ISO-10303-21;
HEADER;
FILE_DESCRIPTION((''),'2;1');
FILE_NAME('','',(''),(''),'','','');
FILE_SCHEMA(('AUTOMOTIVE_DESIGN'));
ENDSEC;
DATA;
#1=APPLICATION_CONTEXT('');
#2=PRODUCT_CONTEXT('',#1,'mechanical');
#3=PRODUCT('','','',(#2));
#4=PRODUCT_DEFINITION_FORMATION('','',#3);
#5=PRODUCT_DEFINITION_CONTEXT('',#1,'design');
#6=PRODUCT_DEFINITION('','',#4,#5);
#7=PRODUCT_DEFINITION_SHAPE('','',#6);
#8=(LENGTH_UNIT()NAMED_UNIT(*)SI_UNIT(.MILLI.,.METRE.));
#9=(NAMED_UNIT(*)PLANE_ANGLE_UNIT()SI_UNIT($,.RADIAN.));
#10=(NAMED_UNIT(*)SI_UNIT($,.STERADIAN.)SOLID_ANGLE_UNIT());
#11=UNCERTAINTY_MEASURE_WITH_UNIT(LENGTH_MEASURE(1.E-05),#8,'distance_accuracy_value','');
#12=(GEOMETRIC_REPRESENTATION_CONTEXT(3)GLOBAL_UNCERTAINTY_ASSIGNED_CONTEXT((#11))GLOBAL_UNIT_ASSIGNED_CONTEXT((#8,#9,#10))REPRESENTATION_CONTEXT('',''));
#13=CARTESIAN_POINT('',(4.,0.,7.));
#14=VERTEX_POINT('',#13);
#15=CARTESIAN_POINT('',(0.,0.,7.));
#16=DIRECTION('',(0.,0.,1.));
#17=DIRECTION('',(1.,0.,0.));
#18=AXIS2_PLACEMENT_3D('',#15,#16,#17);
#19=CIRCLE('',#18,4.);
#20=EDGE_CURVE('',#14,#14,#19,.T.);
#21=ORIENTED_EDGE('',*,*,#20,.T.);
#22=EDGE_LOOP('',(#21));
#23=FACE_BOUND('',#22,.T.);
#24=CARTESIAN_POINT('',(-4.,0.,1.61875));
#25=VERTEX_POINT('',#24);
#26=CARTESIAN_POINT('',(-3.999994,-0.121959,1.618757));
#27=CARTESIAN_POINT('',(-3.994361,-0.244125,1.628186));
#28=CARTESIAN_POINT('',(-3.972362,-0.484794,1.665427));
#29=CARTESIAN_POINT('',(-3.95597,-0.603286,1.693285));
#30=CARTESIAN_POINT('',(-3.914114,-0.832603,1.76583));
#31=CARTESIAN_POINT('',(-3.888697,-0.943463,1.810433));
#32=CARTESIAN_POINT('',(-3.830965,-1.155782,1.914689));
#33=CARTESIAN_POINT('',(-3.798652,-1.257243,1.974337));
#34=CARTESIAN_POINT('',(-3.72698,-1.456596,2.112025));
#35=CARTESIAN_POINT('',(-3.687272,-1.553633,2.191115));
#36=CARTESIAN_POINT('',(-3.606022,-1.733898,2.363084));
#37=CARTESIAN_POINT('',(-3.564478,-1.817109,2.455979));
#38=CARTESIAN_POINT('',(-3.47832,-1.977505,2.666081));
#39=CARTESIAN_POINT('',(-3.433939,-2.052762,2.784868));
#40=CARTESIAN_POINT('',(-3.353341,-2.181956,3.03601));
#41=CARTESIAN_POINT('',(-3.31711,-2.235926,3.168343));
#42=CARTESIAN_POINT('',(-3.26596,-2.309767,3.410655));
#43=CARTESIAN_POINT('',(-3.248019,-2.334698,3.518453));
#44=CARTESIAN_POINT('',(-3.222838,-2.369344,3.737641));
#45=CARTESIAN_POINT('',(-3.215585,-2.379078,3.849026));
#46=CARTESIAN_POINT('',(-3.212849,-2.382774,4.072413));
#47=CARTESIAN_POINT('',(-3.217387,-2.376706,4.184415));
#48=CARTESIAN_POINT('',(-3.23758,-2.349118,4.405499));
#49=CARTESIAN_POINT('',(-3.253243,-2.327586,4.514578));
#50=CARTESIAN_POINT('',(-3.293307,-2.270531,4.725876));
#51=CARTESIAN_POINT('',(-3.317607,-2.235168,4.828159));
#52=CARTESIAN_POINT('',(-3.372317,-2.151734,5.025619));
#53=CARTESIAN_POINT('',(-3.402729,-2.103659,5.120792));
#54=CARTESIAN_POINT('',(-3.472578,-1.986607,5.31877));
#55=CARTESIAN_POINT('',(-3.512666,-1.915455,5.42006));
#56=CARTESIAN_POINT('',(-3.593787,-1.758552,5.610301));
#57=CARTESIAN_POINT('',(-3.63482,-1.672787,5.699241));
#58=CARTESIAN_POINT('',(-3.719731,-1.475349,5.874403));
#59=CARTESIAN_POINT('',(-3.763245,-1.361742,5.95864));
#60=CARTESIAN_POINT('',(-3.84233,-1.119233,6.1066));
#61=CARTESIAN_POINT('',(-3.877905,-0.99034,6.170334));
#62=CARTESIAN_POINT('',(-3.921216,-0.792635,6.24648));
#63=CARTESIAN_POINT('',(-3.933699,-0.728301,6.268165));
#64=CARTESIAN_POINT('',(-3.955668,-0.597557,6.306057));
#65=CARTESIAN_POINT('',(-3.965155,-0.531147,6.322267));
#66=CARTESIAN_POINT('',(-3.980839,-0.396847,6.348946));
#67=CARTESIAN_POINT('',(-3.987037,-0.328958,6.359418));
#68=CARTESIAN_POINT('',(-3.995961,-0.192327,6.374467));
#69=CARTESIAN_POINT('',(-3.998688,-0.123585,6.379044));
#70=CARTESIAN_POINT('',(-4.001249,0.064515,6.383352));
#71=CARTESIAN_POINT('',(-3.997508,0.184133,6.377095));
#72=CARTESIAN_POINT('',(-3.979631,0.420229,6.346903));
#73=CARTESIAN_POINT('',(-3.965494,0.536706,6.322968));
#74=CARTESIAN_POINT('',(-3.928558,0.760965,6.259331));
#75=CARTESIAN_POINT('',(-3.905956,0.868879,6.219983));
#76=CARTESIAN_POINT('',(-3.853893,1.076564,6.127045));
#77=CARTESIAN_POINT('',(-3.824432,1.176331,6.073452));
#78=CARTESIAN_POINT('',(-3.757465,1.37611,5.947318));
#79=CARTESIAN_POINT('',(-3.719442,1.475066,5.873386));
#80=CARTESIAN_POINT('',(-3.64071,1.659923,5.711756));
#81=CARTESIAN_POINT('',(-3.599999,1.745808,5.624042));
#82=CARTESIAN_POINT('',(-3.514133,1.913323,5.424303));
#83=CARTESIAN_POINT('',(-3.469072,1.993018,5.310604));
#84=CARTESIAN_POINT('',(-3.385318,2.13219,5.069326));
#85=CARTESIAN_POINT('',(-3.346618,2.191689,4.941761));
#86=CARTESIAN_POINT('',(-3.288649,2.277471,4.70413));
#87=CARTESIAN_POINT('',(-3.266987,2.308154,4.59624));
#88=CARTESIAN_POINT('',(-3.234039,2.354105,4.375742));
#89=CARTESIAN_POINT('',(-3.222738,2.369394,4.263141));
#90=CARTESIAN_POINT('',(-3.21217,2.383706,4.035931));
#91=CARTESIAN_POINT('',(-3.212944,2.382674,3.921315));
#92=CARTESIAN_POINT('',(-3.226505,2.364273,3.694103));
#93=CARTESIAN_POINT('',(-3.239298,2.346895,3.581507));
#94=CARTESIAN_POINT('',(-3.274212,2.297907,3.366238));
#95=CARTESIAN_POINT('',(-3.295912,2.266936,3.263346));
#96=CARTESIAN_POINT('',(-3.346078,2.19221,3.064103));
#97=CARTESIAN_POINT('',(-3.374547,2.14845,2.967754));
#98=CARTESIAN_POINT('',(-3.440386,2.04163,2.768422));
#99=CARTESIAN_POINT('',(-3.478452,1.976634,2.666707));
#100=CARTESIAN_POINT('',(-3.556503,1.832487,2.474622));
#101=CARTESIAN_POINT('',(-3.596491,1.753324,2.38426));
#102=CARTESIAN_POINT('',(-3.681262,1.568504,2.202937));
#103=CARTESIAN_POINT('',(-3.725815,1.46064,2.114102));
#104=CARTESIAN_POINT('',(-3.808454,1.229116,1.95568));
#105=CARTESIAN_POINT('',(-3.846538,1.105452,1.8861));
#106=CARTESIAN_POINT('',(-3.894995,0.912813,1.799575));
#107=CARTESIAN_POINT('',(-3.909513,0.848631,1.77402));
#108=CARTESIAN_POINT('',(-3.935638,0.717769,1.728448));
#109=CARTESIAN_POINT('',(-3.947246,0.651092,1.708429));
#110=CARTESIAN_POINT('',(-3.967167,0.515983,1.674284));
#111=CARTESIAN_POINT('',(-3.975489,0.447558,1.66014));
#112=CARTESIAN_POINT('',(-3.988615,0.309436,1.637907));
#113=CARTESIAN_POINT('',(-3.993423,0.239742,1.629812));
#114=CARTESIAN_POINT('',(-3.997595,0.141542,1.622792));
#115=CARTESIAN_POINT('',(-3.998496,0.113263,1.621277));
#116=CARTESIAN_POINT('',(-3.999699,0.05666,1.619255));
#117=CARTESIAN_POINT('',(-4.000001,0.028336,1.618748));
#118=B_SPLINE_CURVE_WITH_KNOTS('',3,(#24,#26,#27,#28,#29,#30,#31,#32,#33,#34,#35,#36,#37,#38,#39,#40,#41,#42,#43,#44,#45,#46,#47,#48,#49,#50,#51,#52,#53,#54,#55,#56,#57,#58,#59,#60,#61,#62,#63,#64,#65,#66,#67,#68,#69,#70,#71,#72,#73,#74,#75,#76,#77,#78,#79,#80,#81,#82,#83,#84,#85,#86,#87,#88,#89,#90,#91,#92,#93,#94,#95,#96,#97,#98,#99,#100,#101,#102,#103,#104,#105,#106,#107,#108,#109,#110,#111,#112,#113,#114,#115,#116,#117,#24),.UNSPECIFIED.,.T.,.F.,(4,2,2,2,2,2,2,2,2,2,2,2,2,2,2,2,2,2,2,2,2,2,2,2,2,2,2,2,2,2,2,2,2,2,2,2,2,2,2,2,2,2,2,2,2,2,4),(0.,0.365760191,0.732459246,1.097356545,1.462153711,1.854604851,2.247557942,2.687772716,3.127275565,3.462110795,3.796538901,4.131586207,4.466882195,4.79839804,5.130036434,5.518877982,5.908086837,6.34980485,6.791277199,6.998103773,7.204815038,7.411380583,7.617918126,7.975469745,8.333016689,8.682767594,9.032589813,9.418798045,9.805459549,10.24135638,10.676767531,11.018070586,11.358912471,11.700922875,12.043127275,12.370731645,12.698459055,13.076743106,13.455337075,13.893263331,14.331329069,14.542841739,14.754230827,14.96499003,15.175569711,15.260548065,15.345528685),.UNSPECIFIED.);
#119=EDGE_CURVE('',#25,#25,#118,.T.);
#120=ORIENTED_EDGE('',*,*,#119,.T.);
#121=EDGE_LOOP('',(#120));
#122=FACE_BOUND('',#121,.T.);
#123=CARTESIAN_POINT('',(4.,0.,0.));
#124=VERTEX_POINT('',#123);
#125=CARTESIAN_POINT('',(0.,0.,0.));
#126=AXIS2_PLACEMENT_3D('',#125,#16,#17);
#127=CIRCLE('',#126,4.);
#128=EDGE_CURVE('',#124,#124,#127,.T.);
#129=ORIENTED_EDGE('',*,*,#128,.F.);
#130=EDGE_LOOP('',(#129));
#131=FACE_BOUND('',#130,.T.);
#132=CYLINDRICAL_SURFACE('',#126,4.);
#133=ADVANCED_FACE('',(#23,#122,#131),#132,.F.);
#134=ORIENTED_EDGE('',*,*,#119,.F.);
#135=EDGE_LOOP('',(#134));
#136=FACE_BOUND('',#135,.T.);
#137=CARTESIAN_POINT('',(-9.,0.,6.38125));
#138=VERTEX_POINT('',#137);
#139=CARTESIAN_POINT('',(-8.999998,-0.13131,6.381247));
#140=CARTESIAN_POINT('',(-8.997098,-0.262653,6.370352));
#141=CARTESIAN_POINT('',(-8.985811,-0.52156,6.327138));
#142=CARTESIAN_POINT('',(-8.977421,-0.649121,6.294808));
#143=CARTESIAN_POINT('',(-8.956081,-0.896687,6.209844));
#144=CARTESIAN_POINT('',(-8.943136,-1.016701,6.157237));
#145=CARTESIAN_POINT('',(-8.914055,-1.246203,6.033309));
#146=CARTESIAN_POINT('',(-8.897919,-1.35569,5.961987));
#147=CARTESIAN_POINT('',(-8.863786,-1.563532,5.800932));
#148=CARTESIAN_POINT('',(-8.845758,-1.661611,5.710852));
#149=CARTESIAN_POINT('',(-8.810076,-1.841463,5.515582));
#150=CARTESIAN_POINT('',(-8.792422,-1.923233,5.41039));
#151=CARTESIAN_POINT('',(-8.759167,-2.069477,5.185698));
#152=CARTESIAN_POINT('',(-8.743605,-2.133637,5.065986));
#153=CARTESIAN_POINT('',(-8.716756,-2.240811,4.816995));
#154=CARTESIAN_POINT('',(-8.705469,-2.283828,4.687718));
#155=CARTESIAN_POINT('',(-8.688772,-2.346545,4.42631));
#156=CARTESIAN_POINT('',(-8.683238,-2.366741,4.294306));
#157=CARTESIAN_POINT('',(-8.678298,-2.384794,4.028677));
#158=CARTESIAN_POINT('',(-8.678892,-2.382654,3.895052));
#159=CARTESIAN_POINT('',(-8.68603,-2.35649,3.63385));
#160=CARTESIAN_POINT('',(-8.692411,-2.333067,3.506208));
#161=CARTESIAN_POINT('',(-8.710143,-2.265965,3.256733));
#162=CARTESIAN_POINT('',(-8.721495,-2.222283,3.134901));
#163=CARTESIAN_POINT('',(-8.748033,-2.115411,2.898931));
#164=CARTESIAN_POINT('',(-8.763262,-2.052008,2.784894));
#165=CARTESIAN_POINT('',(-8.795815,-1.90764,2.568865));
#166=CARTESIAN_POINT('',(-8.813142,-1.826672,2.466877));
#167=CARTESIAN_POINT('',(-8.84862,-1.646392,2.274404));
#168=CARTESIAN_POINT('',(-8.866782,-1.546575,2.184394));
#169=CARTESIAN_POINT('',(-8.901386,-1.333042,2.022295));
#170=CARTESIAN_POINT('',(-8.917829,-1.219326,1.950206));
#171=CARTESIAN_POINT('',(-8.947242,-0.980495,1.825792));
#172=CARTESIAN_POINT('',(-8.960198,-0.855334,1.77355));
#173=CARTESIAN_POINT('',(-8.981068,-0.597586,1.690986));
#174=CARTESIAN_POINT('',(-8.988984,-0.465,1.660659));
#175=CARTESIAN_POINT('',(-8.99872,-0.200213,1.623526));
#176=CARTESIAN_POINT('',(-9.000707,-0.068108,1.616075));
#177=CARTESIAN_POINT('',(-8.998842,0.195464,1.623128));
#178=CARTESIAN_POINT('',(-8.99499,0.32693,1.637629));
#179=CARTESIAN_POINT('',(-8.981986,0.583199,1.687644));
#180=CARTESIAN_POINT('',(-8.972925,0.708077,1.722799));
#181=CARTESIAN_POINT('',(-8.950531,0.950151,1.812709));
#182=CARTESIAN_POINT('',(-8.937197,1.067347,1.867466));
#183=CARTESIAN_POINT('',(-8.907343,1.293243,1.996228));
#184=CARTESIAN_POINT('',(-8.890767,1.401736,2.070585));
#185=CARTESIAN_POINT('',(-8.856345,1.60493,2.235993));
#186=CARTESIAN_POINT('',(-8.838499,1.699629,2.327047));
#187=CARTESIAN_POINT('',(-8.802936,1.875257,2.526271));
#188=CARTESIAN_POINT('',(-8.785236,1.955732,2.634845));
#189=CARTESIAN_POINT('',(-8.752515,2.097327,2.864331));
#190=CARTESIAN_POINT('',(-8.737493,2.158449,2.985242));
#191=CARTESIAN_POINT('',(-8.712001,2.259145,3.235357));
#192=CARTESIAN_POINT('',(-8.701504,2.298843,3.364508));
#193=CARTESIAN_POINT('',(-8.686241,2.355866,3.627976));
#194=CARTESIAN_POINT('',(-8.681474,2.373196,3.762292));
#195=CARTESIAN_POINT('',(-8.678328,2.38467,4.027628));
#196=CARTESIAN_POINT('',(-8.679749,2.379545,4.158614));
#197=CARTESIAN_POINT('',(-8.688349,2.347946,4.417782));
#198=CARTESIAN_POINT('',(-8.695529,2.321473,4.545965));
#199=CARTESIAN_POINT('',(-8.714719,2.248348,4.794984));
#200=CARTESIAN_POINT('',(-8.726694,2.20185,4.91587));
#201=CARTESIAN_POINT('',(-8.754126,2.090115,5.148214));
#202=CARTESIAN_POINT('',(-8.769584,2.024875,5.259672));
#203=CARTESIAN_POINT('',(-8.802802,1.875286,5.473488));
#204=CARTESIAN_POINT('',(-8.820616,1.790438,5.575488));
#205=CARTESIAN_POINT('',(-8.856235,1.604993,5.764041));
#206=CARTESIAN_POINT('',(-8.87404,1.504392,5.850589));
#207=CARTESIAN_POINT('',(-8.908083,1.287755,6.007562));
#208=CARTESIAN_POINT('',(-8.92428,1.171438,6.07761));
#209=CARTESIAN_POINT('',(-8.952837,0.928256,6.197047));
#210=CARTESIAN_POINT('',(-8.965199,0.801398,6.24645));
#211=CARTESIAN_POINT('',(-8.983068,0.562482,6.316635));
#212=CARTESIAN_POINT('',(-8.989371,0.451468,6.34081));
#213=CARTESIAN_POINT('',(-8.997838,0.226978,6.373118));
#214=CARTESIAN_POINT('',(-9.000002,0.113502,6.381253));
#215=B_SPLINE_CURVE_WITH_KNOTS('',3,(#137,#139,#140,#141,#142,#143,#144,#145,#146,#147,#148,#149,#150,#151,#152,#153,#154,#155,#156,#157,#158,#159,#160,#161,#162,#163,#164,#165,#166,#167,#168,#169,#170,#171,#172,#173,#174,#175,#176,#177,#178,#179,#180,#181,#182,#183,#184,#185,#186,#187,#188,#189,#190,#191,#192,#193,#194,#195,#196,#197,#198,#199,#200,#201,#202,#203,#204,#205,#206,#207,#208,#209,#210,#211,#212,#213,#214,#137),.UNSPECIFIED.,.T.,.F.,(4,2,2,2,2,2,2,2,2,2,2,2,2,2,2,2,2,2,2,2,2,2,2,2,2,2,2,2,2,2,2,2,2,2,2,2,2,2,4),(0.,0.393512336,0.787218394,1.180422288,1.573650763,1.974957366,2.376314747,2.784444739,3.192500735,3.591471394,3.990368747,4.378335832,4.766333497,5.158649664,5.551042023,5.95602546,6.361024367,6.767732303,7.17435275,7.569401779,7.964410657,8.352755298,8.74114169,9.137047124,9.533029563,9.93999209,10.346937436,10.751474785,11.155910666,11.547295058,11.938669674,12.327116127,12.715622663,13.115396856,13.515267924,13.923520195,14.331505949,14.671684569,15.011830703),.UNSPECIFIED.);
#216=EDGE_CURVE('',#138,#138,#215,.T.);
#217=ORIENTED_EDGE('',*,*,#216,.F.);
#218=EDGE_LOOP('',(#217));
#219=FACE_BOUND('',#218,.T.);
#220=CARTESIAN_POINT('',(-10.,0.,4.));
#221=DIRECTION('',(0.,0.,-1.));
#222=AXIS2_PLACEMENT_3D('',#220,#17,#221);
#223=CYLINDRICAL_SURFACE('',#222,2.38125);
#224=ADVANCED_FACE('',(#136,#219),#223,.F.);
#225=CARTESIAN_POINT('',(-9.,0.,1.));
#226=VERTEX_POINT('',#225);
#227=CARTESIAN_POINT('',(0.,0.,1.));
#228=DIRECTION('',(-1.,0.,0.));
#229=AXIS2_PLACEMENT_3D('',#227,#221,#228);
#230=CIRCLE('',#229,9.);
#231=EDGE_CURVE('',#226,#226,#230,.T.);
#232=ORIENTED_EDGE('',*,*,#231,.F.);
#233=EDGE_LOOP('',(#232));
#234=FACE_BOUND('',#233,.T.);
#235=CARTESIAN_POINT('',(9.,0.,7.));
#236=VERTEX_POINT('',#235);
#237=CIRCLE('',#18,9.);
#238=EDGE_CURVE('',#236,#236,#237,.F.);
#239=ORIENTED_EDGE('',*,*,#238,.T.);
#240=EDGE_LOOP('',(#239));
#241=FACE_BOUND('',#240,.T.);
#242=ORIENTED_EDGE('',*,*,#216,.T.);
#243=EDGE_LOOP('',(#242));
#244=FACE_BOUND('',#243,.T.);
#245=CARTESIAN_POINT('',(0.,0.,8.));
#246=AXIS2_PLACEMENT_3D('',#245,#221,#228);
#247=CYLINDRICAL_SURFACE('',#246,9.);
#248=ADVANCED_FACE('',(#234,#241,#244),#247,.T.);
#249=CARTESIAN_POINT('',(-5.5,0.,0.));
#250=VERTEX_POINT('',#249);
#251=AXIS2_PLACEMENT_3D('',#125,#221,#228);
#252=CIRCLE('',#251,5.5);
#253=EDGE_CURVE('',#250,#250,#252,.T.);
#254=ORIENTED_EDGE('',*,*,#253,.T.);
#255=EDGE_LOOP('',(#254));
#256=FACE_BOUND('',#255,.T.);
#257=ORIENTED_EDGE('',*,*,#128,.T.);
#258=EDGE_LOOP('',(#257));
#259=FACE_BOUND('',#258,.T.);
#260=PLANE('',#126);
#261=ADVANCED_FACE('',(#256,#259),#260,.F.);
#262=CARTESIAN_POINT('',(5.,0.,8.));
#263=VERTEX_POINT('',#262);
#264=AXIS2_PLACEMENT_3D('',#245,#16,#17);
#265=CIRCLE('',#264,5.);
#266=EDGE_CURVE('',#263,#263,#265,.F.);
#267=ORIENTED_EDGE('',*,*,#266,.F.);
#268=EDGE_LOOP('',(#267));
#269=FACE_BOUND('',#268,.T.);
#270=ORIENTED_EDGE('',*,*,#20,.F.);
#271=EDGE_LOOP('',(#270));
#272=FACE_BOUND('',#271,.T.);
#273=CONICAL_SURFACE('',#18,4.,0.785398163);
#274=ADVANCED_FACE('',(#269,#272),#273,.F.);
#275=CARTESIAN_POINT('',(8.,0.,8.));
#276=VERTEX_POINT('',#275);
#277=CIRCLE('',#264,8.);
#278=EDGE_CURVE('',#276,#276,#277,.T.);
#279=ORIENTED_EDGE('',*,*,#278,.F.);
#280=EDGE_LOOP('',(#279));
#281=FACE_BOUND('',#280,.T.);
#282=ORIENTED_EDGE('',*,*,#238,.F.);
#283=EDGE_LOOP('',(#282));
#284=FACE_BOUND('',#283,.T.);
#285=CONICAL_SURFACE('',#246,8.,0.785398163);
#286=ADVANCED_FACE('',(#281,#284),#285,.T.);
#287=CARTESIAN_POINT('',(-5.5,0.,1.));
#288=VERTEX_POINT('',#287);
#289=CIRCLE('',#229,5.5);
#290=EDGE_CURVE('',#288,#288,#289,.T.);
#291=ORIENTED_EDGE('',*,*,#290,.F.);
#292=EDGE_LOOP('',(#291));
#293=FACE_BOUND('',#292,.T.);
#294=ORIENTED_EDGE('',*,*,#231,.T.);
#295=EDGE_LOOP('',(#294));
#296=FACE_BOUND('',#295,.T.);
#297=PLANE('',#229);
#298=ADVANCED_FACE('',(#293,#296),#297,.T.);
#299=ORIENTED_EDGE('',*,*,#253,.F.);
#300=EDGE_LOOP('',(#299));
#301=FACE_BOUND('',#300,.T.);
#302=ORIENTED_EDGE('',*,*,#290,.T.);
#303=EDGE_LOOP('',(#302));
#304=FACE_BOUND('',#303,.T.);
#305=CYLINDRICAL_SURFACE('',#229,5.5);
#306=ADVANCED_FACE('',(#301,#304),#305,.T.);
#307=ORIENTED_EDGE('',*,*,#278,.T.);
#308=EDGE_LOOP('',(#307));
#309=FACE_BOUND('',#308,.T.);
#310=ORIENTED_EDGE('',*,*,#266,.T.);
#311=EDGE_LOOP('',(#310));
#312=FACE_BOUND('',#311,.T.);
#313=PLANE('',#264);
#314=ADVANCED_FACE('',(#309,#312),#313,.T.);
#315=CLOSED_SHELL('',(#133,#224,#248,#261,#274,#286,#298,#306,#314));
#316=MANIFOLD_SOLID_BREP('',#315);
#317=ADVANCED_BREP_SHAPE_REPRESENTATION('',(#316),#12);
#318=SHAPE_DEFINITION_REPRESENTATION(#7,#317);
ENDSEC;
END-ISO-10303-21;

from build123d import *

# Parameters (mm, degrees)
CROQUIS1_R              = 9
SALIENTE_EXTRUIR1_DEPTH = 8
CROQUIS2_R              = 4
CORTAR_EXTRUIR1_DEPTH   = 16.033296378
CHAFL_N1_SIZE           = 1
CROQUIS3_R              = 2.38125
CORTAR_EXTRUIR2_DEPTH   = 10
CROQUIS4_R              = 11.390520889
CROQUIS4_R_2            = 5.5
CORTAR_EXTRUIR3_DEPTH   = 1


with BuildPart() as part:
    # Croquis1 → Saliente-Extruir1 (new body)
    with BuildSketch(Plane.XY):
        Circle(CROQUIS1_R)
    extrude(amount=SALIENTE_EXTRUIR1_DEPTH)

    # Croquis2 → Cortar-Extruir1 (cut, through all)
    with BuildSketch(Plane.XY.offset(8)):
        Circle(CROQUIS2_R)
    extrude(amount=-CORTAR_EXTRUIR1_DEPTH, mode=Mode.SUBTRACT)

    # Chaflán1
    chafl_n1_edges = [part.edges().sort_by_distance(p)[0] for p in [
        (-9, 0, 8),
        (-4, 0, 8),
    ]]
    chamfer(chafl_n1_edges, length=CHAFL_N1_SIZE)

    # Croquis3 → Cortar-Extruir2 (cut)
    with BuildSketch(Plane(origin=(0, 0, 0), x_dir=(0, 0, -1), z_dir=(1, 0, 0))):
        with Locations((-4, 0)):
            Circle(CROQUIS3_R)
    extrude(amount=-CORTAR_EXTRUIR2_DEPTH, mode=Mode.SUBTRACT)

    # Croquis4 → Cortar-Extruir3 (cut)
    with BuildSketch(Plane(origin=(0, 0, 0), x_dir=(-1, 0, 0), z_dir=(0, 0, -1))):
        Circle(CROQUIS4_R)
        Circle(CROQUIS4_R_2, mode=Mode.SUBTRACT)
    extrude(amount=-CORTAR_EXTRUIR3_DEPTH, mode=Mode.SUBTRACT)


solid = part.part
